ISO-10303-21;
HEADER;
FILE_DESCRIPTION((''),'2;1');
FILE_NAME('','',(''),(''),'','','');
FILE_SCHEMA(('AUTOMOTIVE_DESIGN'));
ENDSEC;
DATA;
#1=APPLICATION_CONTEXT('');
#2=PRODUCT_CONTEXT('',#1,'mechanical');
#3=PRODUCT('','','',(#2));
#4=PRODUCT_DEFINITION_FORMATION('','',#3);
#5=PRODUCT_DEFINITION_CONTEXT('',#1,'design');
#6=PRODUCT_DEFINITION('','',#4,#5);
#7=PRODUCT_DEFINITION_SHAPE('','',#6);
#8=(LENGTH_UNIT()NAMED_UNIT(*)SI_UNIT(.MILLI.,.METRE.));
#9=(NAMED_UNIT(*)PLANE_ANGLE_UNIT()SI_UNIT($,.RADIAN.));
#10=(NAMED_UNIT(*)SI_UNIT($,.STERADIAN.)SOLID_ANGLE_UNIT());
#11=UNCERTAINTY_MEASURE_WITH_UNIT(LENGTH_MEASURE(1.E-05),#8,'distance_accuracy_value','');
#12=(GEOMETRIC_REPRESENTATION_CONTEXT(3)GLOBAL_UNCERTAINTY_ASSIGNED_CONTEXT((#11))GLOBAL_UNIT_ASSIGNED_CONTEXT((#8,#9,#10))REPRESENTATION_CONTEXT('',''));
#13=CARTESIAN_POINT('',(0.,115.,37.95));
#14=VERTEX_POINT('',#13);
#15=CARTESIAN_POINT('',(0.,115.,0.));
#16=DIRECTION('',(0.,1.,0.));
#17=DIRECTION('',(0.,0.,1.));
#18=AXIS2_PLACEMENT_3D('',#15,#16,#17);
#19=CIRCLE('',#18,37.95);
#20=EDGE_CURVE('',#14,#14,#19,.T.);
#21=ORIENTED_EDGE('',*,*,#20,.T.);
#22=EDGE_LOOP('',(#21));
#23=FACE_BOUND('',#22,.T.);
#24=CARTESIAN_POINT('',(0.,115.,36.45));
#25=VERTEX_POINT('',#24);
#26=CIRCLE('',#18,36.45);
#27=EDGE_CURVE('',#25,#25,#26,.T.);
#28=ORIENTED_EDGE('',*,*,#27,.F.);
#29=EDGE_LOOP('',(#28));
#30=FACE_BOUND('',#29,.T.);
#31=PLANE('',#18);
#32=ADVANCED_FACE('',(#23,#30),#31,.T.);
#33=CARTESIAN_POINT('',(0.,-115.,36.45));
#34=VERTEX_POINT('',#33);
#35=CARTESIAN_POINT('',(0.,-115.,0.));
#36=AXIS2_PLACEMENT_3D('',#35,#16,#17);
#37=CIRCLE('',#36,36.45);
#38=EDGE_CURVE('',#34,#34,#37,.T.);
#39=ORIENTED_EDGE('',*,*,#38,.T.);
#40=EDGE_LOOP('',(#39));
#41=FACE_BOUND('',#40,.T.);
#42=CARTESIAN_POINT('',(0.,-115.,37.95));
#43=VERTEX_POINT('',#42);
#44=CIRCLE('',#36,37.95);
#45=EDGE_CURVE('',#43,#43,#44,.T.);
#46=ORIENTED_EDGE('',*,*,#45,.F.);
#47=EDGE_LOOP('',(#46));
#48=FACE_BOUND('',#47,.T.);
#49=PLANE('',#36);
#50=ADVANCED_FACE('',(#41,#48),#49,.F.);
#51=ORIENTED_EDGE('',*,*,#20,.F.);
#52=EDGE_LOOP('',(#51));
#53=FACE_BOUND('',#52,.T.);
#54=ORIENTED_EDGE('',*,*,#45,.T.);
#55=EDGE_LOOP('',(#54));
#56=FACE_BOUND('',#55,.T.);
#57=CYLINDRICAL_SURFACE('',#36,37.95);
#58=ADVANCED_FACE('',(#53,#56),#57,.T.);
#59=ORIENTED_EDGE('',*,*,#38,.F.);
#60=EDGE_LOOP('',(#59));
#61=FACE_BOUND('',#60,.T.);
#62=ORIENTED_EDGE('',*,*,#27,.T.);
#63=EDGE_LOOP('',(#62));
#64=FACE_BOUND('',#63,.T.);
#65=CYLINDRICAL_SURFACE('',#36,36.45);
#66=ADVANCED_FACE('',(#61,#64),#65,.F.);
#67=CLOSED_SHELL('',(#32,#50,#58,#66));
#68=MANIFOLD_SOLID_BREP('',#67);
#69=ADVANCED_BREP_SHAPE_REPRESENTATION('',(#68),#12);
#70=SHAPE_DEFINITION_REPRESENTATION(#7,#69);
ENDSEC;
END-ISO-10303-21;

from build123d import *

# Parameters (mm, degrees)
BOSS_EXTRUDE1_DEPTH      = 115
BOSS_EXTRUDE1_DEPTH_BACK = 115
SKETCH1_R                = 37.95
SKETCH1_R_2              = 36.45


with BuildPart() as part:
    # Sketch1 → Boss-Extrude1 (new, two sides: drawn at the far end of the back side and taken through both)
    with BuildSketch(Plane(origin=(0, 0, 0), x_dir=(1, 0, 0), z_dir=(0, 1, 0)).offset(-BOSS_EXTRUDE1_DEPTH_BACK)):
        Circle(SKETCH1_R)
        Circle(SKETCH1_R_2, mode=Mode.SUBTRACT)
    extrude(amount=BOSS_EXTRUDE1_DEPTH + BOSS_EXTRUDE1_DEPTH_BACK)


solid = part.part
